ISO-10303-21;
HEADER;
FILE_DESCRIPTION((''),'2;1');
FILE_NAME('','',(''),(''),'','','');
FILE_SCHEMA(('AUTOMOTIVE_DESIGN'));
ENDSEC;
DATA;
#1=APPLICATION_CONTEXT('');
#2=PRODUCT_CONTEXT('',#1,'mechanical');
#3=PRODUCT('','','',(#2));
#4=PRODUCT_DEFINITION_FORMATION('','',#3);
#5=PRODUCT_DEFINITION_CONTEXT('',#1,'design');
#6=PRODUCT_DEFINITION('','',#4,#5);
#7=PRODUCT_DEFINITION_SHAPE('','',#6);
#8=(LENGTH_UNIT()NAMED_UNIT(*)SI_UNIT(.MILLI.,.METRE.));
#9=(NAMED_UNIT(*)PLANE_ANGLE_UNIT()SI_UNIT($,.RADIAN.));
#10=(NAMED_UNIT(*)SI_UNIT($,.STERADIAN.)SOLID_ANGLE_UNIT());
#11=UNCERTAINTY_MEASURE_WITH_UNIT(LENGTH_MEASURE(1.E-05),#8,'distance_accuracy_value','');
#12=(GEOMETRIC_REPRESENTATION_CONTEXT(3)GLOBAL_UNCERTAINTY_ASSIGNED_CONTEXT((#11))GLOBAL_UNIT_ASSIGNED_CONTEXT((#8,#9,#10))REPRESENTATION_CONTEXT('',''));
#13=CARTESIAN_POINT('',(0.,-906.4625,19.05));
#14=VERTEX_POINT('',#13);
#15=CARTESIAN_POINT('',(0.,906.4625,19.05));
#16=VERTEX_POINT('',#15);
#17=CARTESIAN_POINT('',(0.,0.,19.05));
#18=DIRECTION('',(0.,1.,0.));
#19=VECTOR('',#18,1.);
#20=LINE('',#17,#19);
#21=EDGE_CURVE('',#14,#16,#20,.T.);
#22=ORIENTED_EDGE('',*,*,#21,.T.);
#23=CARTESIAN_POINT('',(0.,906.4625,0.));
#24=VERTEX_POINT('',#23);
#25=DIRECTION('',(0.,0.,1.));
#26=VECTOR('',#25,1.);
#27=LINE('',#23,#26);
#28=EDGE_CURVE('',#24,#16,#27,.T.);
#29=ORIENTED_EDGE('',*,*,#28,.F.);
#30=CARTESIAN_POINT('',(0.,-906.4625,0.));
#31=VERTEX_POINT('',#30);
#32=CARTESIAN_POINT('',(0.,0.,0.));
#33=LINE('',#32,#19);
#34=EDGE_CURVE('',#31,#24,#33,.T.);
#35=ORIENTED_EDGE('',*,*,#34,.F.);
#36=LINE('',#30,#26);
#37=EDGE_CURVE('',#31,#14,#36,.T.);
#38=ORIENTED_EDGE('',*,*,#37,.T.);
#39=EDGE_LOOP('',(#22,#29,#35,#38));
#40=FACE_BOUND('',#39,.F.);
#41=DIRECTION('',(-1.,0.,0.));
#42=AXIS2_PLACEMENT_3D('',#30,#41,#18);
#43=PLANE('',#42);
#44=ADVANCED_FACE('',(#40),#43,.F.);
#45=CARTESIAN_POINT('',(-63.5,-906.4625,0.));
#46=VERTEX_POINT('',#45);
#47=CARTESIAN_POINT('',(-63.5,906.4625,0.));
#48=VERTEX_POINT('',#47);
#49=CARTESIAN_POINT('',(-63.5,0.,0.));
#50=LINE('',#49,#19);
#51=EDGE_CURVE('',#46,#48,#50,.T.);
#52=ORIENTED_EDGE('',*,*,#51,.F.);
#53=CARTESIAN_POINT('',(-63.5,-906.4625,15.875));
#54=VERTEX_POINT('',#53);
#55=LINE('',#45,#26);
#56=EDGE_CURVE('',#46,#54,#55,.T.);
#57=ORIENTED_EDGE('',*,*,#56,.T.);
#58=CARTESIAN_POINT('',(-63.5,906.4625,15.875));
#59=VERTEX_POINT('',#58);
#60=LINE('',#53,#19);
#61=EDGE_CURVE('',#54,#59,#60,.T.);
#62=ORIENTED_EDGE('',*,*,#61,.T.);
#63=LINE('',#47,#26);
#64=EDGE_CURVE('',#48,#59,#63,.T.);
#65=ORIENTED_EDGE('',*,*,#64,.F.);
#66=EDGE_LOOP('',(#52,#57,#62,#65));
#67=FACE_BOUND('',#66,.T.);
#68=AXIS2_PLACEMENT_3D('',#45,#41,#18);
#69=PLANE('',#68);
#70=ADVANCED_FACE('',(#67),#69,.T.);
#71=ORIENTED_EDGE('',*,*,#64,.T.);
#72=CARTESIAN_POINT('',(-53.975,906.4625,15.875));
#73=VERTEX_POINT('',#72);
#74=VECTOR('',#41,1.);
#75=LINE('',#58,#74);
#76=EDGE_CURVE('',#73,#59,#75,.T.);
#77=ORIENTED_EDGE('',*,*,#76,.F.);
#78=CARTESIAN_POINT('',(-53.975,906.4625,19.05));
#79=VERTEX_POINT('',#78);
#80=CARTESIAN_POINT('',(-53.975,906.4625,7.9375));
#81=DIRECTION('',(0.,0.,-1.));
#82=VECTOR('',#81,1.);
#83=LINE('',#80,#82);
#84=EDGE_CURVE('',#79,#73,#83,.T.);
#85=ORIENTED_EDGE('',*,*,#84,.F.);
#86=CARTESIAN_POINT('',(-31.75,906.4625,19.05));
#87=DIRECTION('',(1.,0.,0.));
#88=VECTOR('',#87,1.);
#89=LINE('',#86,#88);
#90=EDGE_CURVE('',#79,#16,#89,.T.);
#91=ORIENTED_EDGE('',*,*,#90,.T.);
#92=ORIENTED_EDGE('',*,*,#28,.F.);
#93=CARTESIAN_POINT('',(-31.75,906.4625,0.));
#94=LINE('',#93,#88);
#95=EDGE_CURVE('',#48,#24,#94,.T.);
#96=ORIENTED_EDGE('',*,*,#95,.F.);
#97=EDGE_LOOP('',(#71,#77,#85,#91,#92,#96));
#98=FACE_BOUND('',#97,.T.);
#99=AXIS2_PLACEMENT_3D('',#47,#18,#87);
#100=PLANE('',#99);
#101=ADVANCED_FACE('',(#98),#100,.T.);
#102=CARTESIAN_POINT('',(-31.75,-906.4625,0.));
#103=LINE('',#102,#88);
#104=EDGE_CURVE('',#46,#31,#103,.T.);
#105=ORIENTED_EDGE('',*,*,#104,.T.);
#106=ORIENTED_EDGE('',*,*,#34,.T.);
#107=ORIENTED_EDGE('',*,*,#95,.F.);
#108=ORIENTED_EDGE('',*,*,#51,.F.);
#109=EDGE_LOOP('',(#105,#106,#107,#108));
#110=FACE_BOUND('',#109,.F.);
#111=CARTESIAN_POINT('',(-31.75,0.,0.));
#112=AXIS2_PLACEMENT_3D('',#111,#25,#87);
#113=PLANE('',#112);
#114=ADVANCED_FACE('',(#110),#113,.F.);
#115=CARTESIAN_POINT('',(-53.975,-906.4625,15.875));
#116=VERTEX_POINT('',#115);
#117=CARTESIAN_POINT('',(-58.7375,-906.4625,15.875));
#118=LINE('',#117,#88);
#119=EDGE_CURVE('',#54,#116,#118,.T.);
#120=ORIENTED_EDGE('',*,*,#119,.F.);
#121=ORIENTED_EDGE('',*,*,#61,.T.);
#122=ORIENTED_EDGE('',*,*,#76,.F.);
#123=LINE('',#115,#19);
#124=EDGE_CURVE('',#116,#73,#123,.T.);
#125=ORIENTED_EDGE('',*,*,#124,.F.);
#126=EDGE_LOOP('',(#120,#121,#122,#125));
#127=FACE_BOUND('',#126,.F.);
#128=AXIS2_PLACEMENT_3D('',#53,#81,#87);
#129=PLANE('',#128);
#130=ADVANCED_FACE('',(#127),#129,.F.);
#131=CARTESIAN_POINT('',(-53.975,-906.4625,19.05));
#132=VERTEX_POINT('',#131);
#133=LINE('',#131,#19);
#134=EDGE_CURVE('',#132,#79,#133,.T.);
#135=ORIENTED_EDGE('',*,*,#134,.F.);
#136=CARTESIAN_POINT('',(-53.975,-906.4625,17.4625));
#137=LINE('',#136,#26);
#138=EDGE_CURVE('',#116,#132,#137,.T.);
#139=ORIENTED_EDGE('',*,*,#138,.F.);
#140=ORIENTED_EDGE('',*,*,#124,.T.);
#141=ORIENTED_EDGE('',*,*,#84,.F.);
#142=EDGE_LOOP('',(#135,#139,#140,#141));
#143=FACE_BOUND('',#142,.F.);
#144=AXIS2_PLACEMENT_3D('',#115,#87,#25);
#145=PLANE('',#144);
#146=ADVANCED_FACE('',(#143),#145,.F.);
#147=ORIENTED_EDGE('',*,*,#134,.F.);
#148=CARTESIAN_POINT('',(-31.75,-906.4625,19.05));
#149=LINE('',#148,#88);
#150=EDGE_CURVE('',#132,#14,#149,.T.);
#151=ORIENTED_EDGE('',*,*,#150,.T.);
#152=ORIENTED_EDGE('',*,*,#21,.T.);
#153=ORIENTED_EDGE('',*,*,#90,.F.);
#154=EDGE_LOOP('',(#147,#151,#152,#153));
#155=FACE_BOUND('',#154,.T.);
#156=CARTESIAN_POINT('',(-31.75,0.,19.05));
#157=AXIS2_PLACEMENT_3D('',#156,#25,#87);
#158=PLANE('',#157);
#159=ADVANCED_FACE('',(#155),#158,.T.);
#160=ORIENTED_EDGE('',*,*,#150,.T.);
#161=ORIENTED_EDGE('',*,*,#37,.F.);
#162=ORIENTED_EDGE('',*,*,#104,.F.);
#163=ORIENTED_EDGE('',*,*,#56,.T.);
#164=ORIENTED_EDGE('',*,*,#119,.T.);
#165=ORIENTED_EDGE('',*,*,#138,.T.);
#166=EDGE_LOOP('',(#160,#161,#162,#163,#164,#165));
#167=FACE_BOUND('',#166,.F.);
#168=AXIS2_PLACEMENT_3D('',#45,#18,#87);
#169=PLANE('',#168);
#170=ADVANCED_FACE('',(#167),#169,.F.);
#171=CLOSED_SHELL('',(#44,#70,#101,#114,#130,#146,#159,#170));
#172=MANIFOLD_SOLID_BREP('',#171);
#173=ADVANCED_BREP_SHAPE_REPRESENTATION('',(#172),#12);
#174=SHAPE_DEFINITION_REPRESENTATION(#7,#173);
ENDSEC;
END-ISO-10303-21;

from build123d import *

# Parameters (mm, degrees)
F0_W     = 63.5
F0_H     = 1812.925
F1_DEPTH = 19.05
F2_W     = 9.525
F2_H     = 3.175
F3_DEPTH = 1812.926


with BuildPart() as f1:
    # F0 (on Top) → F1 (new body)
    with BuildSketch(Plane.XY):
        with Locations((-31.75, 0)):
            Rectangle(F0_W, F0_H)
    extrude(amount=F1_DEPTH)

    # F2 (on face) → F3 (cut, through all)
    with BuildSketch(Plane.XZ.offset(906.4625)):
        with Locations((-58.7375, 17.4625)):
            Rectangle(F2_W, F2_H)
    extrude(amount=-F3_DEPTH, mode=Mode.SUBTRACT)


solid = f1.part
